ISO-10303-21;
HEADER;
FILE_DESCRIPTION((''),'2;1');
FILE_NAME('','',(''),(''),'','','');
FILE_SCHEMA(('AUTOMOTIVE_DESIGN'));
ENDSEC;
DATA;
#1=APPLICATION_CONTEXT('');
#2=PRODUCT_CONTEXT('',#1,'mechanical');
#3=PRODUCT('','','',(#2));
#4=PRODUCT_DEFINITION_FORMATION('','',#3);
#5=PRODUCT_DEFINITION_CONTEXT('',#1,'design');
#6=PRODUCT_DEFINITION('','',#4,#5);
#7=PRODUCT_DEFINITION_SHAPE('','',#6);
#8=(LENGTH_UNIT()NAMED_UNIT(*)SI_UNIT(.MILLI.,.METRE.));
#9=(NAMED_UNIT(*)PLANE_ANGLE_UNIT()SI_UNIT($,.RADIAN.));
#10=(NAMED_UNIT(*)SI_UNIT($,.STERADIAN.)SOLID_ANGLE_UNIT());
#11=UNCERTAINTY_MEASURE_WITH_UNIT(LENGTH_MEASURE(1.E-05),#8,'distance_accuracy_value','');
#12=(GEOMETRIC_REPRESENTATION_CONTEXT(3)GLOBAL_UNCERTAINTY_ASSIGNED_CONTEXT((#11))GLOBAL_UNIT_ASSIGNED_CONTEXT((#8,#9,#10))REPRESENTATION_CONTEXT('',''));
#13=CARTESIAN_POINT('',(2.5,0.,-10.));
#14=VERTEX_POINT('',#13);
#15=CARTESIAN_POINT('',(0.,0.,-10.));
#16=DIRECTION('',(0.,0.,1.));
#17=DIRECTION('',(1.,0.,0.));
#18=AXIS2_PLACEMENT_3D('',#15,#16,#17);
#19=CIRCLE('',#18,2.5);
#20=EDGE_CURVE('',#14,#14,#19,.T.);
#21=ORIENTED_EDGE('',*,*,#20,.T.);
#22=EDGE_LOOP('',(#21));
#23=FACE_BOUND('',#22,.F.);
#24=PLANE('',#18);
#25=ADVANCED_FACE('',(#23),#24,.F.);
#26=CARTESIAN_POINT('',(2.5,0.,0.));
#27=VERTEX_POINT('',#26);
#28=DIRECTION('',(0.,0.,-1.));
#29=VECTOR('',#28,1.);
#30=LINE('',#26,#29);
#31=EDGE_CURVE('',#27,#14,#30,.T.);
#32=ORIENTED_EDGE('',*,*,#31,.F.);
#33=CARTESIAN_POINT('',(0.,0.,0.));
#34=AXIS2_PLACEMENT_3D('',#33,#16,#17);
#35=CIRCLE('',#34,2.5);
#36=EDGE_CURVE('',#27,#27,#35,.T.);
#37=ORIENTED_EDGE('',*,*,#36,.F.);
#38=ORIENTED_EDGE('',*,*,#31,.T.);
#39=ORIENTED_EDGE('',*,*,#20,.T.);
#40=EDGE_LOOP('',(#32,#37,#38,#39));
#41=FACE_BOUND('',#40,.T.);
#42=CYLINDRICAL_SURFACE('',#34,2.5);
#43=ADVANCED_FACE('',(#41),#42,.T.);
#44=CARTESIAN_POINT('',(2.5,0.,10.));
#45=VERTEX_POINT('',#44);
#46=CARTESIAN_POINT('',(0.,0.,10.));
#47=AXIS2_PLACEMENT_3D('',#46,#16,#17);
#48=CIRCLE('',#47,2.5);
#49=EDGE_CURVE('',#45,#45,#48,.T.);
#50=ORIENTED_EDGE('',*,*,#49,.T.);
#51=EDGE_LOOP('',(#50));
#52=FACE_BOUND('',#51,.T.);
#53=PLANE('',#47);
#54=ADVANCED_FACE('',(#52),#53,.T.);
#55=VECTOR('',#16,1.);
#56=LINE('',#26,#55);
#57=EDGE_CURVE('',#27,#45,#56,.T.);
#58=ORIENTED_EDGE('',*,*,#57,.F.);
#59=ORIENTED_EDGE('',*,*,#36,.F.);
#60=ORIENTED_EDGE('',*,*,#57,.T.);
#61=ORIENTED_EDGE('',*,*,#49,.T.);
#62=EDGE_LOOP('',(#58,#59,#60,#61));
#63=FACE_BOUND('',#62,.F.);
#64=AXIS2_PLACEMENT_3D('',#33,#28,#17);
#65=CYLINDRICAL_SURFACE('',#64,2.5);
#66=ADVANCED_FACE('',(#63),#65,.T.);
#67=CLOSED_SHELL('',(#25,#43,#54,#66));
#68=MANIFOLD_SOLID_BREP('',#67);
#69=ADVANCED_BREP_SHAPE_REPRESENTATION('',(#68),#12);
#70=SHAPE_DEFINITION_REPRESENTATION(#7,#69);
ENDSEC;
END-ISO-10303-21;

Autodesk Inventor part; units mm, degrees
ref_plane "YZ Plane" through (0, 0, 0) normal (1, 0, 0) x (0, 1, 0)
ref_plane "XZ Plane" through (0, 0, 0) normal (0, 1, 0) x (-1, 0, 0)
ref_plane "XY Plane" through (0, 0, 0) normal (0, 0, 1) x (1, 0, 0)
sketch "草图1" plane through (0, 0, 0) normal (0, 0, 1) x (1, 0, 0)
  circle A0 centre (0, 0) radius 2.5
  dimension "d0" = 5
extrude "拉伸1" add sketch "草图1" along normal mid plane 20
properties part number "主轴"
